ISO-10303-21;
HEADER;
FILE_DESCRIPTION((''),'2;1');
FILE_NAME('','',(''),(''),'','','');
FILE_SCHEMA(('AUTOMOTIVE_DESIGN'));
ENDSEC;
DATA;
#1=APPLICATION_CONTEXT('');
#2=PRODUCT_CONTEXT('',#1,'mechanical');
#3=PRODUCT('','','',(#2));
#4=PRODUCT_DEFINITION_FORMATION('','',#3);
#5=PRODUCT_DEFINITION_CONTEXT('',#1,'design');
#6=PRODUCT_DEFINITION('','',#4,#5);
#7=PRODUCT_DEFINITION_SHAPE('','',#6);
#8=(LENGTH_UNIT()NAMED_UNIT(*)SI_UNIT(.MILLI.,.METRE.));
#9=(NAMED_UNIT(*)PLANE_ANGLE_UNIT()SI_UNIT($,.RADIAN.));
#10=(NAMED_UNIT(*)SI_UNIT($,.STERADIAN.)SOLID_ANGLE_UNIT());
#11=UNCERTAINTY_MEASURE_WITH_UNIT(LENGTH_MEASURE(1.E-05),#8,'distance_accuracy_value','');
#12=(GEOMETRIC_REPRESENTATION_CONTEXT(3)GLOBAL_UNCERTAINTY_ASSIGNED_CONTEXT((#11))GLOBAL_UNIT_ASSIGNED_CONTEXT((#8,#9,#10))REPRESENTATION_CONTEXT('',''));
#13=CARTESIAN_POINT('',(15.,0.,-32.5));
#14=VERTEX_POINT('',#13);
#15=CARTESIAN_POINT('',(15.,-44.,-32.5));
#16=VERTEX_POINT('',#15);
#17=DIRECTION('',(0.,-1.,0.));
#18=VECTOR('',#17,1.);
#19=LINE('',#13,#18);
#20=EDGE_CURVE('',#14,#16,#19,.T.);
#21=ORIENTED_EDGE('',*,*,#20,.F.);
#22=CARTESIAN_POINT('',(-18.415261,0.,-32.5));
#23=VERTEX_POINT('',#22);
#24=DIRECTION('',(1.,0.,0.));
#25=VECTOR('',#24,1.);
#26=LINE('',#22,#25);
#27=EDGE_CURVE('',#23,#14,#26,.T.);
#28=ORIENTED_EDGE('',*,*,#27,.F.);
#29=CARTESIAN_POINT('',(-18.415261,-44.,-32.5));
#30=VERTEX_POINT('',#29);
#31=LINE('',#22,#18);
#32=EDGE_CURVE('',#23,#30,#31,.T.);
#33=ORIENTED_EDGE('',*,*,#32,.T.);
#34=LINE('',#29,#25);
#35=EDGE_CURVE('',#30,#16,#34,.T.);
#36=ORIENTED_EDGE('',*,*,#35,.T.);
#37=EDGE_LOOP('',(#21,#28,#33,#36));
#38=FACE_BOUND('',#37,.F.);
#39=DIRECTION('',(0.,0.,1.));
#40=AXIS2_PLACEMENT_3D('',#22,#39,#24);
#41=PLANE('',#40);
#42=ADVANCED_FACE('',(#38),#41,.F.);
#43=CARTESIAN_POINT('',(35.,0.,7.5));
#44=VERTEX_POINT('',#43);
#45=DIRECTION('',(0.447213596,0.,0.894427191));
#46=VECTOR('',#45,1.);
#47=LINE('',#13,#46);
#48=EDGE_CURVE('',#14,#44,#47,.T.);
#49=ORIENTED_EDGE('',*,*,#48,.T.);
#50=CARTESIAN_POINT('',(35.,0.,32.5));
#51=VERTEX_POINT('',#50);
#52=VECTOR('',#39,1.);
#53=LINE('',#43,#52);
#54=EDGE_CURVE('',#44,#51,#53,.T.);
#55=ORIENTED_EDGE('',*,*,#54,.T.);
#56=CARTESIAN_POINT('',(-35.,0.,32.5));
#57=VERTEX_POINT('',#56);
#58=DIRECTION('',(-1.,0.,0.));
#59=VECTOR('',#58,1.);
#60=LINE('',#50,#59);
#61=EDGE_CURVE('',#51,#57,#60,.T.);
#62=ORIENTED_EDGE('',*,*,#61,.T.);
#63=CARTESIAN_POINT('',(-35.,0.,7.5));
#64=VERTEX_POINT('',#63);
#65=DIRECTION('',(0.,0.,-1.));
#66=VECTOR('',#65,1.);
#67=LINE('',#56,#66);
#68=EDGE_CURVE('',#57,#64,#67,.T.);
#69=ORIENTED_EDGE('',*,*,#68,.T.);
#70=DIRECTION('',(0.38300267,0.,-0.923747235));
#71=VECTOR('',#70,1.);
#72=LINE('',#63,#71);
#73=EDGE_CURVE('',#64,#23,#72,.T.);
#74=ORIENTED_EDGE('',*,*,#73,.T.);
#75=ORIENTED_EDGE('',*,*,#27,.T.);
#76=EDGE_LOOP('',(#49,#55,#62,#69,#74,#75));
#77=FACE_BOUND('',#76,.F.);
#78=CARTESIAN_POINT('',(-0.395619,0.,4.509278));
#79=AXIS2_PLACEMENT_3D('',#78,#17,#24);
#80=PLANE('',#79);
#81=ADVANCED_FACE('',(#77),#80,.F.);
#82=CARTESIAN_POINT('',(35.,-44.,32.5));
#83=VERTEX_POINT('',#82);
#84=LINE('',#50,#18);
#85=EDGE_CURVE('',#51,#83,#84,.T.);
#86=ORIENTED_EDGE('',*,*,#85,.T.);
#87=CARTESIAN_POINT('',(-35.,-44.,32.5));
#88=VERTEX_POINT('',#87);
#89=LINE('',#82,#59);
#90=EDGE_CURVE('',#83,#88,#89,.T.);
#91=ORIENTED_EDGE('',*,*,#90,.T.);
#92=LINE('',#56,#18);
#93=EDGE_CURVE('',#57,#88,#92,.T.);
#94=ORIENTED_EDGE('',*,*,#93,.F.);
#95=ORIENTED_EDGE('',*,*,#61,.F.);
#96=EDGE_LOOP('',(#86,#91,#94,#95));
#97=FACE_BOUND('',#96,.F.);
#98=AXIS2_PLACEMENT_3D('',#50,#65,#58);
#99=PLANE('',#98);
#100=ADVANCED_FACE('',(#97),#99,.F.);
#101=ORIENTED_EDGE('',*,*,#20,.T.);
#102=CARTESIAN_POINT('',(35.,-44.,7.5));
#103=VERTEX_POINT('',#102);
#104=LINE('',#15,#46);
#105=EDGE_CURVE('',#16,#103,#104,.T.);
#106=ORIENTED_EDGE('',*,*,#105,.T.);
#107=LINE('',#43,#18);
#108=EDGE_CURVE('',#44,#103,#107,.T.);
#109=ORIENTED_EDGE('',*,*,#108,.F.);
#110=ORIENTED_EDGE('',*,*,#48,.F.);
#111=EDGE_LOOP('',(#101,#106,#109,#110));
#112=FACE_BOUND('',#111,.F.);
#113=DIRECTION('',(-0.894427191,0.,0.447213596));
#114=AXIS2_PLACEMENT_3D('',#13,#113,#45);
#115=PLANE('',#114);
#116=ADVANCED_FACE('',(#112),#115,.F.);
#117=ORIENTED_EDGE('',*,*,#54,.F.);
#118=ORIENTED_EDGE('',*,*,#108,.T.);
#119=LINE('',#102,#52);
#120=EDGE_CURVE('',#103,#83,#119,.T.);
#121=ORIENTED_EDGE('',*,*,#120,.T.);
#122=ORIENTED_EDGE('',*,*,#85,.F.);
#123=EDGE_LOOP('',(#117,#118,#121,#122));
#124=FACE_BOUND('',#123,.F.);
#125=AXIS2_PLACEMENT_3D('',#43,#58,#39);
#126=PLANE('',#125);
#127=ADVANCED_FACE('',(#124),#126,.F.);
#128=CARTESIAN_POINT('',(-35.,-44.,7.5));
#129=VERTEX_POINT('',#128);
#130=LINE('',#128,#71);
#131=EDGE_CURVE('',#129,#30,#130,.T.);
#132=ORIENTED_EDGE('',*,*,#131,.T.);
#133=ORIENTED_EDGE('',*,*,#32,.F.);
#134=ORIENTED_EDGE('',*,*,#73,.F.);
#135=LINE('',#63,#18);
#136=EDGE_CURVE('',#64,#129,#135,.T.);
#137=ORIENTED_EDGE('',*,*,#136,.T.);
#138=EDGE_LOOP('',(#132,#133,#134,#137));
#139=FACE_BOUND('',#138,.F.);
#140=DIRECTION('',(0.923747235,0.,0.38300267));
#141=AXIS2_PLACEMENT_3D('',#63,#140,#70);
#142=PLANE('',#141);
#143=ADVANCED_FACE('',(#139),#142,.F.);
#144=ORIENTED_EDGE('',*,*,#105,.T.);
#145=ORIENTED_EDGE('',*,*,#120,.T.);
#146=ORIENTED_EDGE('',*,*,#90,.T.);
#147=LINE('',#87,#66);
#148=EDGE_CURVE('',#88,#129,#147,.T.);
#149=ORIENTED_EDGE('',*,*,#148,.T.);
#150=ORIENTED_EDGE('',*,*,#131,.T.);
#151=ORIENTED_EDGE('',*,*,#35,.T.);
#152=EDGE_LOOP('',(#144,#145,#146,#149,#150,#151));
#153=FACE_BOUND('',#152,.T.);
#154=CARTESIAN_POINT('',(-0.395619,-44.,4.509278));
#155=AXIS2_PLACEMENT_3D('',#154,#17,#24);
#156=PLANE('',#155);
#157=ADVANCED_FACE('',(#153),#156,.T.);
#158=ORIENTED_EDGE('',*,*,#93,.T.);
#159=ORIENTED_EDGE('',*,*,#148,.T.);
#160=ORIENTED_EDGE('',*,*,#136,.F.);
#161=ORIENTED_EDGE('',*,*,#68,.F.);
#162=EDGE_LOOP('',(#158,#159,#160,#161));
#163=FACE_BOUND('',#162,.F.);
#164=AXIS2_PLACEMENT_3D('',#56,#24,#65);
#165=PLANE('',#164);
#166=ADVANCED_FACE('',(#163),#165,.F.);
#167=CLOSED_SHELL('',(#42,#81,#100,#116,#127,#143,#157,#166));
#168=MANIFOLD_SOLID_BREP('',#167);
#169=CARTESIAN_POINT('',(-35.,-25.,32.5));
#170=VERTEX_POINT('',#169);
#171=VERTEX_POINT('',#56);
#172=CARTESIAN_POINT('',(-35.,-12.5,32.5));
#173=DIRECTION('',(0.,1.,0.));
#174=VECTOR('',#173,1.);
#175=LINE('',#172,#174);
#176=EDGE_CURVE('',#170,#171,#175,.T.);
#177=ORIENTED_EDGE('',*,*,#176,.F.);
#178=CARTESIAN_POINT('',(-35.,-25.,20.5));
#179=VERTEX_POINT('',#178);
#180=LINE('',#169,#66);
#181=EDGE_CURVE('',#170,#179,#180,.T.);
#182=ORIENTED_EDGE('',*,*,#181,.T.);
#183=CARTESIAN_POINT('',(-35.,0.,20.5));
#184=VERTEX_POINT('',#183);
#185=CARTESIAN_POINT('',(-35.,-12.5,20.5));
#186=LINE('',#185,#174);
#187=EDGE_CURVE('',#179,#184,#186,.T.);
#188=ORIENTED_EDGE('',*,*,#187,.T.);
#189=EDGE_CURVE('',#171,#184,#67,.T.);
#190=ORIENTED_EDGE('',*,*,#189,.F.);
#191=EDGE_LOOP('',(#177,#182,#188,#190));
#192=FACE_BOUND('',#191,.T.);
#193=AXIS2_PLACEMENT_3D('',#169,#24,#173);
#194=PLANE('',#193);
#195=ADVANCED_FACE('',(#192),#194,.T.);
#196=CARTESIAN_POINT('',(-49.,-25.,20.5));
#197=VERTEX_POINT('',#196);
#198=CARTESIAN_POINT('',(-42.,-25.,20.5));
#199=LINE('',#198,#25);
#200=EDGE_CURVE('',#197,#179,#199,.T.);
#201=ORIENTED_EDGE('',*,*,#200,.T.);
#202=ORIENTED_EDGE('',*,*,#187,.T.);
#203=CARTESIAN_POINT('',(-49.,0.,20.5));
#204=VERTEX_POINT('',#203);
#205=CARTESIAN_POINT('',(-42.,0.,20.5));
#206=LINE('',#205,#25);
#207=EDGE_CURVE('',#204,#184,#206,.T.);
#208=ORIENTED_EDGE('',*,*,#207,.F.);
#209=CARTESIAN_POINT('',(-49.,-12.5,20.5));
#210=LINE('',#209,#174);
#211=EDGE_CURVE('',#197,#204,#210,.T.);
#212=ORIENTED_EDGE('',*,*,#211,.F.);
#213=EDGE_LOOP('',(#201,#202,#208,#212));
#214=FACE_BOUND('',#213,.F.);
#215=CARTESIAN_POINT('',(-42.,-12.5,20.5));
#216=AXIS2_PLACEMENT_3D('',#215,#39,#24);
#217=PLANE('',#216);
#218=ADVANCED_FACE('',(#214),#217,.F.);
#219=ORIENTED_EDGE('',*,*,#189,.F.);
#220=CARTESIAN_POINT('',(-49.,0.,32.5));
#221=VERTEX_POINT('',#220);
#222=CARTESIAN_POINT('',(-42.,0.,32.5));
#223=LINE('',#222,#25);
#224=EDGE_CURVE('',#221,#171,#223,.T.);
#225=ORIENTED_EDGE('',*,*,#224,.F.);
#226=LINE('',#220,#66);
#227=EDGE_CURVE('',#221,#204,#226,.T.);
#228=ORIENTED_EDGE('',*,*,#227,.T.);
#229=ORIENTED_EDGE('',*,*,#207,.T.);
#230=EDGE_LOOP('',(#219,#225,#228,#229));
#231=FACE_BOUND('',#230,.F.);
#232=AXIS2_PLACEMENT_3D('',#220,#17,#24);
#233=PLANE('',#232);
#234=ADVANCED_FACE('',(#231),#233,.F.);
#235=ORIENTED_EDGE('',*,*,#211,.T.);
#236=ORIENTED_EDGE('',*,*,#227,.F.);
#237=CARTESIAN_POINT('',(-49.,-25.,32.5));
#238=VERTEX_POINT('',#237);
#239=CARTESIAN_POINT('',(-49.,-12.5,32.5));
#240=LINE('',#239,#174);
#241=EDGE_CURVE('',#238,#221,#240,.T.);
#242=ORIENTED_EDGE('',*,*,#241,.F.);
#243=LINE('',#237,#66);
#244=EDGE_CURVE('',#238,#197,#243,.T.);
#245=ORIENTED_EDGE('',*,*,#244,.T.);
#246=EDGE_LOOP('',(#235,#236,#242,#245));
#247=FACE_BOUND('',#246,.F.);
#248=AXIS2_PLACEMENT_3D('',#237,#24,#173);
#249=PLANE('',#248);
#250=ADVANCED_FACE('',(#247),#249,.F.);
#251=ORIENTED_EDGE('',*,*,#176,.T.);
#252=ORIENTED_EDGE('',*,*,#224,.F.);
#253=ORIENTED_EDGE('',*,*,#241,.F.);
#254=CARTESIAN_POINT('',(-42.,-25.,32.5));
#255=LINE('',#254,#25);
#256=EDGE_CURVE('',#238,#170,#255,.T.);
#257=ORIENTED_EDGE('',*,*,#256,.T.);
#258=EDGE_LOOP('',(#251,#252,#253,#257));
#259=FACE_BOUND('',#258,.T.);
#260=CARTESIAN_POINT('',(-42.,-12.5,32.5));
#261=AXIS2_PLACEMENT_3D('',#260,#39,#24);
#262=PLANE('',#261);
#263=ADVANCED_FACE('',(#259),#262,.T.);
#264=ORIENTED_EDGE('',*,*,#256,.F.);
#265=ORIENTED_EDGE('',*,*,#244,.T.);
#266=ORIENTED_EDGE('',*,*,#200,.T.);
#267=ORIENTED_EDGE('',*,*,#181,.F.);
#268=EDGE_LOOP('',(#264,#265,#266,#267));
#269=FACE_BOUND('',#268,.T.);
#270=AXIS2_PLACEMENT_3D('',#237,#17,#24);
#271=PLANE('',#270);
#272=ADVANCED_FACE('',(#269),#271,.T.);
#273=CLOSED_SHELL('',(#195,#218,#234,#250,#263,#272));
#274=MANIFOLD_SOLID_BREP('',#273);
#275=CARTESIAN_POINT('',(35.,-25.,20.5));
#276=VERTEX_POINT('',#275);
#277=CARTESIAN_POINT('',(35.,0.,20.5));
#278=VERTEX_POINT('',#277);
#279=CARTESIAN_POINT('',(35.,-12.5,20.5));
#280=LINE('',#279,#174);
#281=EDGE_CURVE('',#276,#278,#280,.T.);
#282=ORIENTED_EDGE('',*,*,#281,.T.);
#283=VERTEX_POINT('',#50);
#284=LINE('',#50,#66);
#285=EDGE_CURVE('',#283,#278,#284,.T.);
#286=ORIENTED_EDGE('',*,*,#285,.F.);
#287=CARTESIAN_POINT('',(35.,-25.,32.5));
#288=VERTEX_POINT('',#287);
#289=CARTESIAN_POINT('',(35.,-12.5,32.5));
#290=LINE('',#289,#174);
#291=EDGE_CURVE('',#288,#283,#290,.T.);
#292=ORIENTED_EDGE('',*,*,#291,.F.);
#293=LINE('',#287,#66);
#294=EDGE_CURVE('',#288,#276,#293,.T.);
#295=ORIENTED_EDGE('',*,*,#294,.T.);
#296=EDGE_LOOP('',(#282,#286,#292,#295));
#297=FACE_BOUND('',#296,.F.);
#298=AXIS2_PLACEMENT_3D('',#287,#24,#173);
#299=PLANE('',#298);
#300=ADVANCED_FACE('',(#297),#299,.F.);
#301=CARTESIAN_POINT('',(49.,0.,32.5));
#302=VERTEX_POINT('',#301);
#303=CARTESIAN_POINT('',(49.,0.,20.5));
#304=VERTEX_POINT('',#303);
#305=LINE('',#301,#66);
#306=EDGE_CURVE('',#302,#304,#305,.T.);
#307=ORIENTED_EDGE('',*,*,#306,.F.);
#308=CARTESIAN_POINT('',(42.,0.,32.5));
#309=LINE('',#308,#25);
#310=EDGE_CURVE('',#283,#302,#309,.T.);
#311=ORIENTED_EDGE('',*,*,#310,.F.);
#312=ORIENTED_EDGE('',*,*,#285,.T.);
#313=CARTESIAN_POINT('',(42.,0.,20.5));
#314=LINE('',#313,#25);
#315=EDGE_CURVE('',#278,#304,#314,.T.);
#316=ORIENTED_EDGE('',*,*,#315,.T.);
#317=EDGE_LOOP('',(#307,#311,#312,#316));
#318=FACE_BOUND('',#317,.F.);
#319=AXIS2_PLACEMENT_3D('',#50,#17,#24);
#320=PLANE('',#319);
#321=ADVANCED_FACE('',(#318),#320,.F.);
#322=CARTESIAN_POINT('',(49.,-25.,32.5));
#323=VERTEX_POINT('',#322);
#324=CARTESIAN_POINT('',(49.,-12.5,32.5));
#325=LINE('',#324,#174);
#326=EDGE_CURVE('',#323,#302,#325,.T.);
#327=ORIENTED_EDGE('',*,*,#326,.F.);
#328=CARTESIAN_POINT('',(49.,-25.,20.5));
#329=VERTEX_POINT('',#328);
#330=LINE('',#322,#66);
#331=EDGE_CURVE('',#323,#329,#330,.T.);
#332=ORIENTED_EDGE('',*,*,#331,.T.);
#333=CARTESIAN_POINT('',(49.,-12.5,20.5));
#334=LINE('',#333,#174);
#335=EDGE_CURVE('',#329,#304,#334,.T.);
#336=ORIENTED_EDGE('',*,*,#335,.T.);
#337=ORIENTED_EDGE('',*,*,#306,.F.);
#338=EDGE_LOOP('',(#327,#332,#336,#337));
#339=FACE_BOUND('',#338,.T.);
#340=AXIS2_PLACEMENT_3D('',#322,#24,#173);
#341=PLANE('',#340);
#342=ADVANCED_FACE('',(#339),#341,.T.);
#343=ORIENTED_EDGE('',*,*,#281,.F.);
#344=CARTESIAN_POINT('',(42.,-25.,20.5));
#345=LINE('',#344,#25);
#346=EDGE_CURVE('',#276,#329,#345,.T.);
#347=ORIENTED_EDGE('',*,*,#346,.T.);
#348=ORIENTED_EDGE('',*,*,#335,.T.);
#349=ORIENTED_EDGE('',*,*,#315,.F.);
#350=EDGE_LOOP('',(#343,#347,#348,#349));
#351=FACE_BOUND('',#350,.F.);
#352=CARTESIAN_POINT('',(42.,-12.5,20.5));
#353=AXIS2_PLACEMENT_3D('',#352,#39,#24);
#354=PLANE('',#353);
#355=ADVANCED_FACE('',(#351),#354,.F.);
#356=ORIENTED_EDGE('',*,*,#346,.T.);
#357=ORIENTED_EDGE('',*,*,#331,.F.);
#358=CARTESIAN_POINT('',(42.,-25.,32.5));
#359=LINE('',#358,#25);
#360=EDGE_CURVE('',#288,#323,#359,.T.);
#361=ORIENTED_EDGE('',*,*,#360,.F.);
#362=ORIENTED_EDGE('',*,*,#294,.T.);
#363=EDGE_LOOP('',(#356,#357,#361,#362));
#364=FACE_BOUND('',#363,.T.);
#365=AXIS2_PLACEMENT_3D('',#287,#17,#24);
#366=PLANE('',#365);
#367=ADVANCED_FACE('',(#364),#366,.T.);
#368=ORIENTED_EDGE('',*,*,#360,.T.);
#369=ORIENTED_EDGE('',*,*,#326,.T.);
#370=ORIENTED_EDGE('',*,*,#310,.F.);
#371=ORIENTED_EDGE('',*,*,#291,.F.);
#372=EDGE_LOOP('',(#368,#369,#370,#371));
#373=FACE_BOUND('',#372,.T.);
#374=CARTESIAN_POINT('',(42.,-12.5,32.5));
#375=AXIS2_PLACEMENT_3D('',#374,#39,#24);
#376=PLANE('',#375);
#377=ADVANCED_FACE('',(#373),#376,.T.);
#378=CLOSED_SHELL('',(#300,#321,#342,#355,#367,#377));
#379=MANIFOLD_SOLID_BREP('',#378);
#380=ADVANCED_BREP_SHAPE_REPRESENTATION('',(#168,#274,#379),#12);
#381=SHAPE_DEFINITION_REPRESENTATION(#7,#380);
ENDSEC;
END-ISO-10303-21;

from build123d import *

# Parameters (mm, degrees)
F1_DEPTH = 44
F2_W     = 14
F2_H     = 25
F3_DEPTH = 12


with BuildPart() as f1:
    # F0 (on Front) → F1 (new body)
    with BuildSketch(Plane.XZ):
        Polygon((35, 20.5), (35, 32.5), (-35, 32.5), (-35, 20.5), (-35, 7.5), (-18.415261, -32.5), (15, -32.5), (35, 7.5), align=None)
    extrude(amount=F1_DEPTH)


with BuildPart() as f3:
    # F2 (on face) → F3 (new body)
    with BuildSketch(Plane.XY.offset(32.5)):
        with Locations((-42, -12.5)):
            Rectangle(F2_W, F2_H)
        with Locations((42, -12.5)):
            Rectangle(F2_W, F2_H)
    extrude(amount=-F3_DEPTH)


solid = Compound([f1.part, f3.part])
